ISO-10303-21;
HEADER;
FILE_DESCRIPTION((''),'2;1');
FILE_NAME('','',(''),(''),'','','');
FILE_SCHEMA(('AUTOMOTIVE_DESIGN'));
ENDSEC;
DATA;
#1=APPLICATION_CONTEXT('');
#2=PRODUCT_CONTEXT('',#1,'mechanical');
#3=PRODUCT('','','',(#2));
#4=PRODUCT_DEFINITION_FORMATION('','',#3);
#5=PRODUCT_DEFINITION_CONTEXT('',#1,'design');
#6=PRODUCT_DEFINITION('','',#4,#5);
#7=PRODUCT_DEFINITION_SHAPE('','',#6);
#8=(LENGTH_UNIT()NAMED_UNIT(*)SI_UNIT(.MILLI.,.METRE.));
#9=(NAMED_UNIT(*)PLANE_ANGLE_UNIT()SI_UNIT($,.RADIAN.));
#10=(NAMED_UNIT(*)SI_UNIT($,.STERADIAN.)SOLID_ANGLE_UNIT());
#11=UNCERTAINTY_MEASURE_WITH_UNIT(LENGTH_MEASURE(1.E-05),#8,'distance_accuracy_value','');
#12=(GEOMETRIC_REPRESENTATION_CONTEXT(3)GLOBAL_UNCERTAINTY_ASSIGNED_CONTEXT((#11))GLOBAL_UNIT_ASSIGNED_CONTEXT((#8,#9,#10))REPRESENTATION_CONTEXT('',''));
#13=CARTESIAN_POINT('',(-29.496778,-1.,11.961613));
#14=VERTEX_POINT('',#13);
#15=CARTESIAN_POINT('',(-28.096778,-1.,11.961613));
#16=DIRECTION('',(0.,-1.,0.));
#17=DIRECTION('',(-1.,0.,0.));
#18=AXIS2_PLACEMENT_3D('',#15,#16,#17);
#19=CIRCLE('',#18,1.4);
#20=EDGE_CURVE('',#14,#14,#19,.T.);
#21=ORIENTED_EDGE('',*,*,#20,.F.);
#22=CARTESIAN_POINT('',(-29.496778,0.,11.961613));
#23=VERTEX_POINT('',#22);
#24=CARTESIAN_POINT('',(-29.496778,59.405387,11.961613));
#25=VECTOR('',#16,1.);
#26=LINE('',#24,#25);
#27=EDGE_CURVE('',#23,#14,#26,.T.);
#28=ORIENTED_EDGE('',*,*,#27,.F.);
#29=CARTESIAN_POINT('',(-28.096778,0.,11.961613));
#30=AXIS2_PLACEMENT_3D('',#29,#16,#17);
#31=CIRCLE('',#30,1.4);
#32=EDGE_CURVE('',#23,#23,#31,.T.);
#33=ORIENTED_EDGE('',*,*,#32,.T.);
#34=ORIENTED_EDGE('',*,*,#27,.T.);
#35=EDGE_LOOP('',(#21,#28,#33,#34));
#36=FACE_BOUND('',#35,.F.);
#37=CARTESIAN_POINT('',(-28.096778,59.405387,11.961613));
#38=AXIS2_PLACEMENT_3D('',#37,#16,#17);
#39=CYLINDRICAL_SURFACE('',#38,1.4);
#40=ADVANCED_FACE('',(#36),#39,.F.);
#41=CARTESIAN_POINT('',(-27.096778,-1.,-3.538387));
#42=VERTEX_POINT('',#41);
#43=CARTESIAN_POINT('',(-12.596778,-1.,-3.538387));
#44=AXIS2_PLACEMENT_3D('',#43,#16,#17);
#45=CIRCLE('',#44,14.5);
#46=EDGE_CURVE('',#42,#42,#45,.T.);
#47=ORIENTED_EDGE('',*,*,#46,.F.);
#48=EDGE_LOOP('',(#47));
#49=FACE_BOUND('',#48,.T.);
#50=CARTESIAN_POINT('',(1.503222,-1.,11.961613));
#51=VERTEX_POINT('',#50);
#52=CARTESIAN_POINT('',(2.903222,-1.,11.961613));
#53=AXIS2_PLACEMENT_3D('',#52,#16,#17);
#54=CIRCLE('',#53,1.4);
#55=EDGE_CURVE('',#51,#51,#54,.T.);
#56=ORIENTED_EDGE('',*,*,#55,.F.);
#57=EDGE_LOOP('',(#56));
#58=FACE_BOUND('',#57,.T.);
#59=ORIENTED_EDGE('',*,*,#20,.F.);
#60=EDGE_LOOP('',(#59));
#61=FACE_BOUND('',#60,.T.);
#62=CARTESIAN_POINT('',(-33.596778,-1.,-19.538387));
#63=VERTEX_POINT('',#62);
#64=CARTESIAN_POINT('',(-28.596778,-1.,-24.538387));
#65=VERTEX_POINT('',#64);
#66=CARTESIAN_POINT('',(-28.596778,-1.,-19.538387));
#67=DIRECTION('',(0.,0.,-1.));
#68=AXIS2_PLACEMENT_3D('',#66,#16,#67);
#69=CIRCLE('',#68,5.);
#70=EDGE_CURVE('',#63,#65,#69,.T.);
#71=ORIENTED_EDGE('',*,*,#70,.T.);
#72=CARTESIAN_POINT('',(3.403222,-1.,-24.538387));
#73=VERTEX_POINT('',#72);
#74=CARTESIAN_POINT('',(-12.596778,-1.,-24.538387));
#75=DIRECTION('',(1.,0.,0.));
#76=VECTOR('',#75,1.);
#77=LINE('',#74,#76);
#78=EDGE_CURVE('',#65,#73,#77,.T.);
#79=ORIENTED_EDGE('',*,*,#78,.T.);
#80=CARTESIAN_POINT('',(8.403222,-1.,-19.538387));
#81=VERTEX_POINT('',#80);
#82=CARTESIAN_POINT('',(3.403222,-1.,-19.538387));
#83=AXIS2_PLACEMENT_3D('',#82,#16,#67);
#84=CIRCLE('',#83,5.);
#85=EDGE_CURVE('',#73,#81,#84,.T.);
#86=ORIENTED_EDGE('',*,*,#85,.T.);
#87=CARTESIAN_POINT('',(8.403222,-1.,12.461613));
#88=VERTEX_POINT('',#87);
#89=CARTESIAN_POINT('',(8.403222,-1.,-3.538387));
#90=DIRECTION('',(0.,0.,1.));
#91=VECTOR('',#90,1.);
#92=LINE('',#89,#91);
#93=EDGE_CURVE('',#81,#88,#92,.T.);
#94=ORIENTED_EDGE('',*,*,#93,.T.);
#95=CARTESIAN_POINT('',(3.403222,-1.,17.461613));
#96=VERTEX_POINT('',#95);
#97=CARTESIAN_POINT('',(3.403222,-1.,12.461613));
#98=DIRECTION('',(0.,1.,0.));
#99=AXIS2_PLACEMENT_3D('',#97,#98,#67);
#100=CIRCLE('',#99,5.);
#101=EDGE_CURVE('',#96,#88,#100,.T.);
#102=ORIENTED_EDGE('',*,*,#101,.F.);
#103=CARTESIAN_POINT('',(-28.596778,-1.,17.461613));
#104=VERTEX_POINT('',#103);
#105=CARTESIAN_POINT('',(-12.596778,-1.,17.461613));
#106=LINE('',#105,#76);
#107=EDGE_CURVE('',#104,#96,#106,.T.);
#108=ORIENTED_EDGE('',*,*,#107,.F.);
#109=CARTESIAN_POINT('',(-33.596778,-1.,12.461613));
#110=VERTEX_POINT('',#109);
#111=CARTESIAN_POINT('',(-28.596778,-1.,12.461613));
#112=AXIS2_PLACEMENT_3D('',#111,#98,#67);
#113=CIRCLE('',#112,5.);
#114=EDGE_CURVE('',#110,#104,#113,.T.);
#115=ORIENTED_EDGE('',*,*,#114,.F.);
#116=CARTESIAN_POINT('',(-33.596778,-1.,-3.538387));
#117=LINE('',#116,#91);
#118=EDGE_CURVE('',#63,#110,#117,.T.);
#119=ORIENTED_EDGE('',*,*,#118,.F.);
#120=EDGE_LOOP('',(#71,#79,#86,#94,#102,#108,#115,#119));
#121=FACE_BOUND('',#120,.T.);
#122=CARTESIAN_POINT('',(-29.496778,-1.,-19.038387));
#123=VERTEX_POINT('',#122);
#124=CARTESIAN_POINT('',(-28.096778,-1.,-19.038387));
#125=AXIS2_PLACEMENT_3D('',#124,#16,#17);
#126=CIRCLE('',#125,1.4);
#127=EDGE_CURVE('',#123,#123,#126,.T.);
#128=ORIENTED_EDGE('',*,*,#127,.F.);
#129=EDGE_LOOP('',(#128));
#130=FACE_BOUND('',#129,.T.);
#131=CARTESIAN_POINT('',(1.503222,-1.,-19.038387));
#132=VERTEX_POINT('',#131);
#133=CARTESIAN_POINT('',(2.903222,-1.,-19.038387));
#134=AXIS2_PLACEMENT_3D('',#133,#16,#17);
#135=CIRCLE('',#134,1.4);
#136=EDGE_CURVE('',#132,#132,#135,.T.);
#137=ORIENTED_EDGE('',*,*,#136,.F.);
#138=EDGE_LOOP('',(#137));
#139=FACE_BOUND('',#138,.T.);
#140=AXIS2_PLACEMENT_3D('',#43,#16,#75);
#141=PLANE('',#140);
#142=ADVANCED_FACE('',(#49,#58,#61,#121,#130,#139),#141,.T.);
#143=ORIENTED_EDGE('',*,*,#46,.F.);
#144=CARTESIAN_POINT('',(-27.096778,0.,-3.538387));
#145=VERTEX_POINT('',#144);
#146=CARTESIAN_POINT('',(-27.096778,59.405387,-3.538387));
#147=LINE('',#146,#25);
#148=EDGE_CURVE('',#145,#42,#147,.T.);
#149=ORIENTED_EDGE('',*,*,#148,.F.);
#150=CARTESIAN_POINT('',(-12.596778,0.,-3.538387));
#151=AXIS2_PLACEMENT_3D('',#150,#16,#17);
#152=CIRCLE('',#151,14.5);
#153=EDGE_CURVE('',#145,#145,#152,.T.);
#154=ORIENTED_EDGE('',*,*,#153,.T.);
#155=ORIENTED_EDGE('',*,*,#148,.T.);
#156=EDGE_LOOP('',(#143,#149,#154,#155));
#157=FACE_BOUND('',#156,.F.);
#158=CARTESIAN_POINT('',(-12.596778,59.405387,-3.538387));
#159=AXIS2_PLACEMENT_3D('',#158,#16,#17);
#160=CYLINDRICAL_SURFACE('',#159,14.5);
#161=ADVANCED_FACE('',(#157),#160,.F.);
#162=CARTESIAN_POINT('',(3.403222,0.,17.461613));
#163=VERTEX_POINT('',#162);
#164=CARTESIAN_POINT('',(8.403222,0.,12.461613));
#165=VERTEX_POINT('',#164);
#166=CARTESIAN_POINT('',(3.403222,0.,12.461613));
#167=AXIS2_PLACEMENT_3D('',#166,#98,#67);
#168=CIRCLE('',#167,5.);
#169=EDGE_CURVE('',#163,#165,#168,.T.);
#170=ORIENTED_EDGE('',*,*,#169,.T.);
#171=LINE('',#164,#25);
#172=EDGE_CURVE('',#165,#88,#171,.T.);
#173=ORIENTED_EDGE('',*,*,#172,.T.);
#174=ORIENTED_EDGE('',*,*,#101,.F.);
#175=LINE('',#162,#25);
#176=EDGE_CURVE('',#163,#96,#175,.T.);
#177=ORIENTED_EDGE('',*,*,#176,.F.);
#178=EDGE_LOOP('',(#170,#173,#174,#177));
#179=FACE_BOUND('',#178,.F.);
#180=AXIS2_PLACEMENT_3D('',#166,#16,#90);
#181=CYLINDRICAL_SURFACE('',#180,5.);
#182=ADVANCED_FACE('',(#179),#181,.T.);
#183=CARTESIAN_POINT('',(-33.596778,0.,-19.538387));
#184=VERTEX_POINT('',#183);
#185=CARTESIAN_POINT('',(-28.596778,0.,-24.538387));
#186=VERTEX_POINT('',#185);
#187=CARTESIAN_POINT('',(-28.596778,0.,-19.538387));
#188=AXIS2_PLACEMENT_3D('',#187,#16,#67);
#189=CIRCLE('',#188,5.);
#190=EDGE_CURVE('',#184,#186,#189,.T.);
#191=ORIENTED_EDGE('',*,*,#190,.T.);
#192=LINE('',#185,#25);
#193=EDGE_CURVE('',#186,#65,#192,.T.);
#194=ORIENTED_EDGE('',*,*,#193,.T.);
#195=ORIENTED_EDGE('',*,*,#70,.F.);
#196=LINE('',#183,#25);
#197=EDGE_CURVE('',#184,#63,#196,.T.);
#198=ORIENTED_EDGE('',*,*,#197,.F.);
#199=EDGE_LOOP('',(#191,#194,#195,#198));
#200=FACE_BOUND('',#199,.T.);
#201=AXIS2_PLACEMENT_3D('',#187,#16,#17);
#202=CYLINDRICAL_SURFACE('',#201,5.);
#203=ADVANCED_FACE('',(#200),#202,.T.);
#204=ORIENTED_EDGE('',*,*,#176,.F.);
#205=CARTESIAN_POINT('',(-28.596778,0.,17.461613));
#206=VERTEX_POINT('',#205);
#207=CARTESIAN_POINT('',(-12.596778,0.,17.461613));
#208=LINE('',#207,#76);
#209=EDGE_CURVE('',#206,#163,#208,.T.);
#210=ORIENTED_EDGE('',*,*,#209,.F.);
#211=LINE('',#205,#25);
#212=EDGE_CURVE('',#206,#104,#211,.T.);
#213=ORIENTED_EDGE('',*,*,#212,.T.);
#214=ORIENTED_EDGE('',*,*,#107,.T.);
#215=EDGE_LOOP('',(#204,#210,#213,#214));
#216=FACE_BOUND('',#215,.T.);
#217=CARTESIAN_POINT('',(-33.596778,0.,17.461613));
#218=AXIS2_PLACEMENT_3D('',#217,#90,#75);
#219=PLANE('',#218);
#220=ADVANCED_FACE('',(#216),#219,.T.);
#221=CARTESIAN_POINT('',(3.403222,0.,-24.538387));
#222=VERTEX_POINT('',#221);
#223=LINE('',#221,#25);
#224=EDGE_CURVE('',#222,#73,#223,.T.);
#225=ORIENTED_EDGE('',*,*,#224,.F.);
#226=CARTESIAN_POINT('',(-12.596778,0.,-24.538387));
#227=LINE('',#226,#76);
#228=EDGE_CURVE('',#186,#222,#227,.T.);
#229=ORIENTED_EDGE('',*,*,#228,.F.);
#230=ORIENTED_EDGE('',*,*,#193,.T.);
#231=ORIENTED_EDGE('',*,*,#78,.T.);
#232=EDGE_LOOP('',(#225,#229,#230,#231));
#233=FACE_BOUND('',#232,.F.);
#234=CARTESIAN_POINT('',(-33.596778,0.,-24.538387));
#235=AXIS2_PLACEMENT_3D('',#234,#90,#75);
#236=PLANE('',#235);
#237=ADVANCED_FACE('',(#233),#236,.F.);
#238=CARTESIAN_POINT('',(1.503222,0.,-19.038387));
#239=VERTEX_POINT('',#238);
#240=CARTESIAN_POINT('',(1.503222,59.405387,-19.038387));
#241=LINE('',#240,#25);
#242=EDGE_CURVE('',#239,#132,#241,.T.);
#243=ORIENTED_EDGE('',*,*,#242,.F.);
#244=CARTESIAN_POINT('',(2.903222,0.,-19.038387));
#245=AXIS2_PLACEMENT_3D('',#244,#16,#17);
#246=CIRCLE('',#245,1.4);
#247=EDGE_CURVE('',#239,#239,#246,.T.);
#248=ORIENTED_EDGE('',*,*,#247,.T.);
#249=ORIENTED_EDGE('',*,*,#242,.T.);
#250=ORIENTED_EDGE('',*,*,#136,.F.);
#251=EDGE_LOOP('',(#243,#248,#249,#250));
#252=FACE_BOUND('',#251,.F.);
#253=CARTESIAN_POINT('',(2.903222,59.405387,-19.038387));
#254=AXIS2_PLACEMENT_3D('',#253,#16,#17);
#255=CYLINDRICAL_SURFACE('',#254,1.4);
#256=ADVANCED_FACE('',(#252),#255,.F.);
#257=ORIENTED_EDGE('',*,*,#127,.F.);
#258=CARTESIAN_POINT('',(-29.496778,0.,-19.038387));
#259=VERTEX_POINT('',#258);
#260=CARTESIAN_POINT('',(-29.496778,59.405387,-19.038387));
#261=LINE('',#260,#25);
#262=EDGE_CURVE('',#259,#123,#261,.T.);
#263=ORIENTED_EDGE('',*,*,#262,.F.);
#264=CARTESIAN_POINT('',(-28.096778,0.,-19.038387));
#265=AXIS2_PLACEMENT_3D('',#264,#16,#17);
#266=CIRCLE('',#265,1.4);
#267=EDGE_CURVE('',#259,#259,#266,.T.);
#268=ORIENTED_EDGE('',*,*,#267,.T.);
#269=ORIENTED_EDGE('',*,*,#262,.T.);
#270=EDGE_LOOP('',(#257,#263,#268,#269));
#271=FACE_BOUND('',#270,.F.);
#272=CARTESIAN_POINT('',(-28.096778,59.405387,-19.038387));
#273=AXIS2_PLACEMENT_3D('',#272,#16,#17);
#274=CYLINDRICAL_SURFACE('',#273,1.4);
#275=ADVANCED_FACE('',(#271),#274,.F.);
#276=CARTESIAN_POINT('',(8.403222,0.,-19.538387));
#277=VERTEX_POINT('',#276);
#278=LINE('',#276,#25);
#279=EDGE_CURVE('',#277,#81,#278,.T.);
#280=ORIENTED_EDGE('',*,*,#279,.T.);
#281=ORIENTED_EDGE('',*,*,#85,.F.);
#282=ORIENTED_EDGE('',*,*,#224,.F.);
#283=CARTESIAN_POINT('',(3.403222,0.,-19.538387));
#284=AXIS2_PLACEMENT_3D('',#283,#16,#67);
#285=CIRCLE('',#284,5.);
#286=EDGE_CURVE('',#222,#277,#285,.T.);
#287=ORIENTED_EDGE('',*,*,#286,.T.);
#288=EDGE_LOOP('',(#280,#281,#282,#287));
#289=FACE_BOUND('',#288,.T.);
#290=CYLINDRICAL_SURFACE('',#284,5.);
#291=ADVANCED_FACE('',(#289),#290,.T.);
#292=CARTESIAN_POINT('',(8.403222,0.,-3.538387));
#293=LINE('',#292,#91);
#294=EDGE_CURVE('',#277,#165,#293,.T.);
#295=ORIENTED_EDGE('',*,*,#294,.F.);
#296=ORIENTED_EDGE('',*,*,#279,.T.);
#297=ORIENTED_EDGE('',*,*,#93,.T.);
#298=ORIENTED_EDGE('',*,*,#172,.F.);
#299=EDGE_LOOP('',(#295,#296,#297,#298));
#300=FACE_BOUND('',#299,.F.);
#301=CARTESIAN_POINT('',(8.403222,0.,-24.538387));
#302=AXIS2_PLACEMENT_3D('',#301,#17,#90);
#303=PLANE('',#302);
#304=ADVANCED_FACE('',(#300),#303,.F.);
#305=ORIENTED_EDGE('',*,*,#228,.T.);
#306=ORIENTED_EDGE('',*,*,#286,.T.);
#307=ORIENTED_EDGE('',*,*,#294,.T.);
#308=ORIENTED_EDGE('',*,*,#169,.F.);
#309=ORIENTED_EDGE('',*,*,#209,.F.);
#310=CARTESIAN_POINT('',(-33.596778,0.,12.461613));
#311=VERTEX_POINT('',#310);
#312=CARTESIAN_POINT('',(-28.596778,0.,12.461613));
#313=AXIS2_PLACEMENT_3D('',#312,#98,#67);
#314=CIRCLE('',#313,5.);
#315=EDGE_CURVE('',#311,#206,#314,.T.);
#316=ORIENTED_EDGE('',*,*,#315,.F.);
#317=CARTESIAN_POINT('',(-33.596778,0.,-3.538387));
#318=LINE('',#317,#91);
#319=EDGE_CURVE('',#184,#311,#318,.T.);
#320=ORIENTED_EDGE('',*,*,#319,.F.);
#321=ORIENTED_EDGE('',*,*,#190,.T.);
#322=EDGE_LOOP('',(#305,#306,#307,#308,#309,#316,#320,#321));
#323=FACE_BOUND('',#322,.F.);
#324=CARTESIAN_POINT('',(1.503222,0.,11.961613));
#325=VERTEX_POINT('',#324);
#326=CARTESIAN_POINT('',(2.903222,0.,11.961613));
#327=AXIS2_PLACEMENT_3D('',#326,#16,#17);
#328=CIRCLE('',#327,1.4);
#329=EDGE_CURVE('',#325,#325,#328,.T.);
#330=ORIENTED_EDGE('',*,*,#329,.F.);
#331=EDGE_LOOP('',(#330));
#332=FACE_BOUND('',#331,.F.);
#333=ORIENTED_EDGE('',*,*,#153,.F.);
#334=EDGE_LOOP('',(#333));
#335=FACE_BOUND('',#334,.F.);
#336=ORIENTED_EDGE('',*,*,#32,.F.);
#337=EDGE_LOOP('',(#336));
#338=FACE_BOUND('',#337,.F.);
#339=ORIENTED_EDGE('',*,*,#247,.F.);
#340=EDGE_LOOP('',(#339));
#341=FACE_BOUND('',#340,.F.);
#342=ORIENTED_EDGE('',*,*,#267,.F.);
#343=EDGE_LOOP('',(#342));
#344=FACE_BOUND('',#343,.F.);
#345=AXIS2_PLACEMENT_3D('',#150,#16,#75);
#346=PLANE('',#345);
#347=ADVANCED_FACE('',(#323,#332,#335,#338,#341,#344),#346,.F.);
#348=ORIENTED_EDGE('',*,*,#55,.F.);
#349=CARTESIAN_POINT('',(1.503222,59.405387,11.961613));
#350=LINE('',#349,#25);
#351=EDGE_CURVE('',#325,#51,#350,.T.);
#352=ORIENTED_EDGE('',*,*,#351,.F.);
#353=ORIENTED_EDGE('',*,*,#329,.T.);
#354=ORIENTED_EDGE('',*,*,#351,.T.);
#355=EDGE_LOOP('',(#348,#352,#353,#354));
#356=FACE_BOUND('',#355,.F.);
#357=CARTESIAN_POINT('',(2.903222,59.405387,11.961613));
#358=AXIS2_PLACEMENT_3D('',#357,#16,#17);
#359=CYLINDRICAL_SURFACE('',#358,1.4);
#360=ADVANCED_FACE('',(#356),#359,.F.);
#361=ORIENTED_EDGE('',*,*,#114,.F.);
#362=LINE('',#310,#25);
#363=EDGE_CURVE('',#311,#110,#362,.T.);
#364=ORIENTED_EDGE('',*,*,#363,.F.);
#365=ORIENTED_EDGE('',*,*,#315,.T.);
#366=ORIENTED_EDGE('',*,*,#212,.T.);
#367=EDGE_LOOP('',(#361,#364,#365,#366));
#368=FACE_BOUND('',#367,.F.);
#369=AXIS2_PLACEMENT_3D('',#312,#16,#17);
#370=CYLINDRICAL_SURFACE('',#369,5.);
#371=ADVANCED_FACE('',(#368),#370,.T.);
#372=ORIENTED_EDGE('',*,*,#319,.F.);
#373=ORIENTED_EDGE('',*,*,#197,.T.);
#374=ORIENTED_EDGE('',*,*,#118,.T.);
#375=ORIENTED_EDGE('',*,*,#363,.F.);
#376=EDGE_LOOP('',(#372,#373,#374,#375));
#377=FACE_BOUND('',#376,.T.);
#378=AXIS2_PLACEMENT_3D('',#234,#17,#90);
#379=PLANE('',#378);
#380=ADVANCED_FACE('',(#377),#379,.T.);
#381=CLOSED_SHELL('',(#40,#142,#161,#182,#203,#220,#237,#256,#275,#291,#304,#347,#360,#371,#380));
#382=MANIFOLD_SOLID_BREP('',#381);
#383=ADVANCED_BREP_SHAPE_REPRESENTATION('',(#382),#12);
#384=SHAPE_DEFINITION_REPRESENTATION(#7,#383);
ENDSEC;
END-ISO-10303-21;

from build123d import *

# Parameters (mm, degrees)
F0_W     = 42
F0_H     = 42
F1_DEPTH = 1
F2_D     = 29
F3_D     = 2.8
F4_R     = 5


with BuildPart() as f1:
    # F0 (on Front) → F1 (new body)
    with BuildSketch(Plane.XZ):
        with Locations((-12.5967783645, -3.5383866066)):
            Rectangle(F0_W, F0_H)
    extrude(amount=F1_DEPTH)

    # F2 (through all)
    with Locations(Plane(origin=(0, 0, 0), x_dir=(1, 0, 0), z_dir=(0, 1, 0))):
        with Locations((-12.5967783645, 3.5383866066)):
            Hole(F2_D / 2)

    # F3 (through all)
    with Locations(Plane(origin=(0, 0, 0), x_dir=(1, 0, 0), z_dir=(0, 1, 0))):
        with Locations((-28.0967783645, -11.9616133934), (2.9032216355, -11.9616133934), (2.9032216355, 19.0383866066), (-28.0967783645, 19.0383866066)):
            Hole(F3_D / 2)

    # F4
    f4_edges = [f1.edges().sort_by_distance(p)[0] for p in [
        (-33.596778, -0.5, 17.461613),
        (-33.596778, -0.5, -24.538387),
        (8.403222, -0.5, 17.461613),
        (8.403222, -0.5, -24.538387),
    ]]
    fillet(f4_edges, radius=F4_R)


solid = f1.part
